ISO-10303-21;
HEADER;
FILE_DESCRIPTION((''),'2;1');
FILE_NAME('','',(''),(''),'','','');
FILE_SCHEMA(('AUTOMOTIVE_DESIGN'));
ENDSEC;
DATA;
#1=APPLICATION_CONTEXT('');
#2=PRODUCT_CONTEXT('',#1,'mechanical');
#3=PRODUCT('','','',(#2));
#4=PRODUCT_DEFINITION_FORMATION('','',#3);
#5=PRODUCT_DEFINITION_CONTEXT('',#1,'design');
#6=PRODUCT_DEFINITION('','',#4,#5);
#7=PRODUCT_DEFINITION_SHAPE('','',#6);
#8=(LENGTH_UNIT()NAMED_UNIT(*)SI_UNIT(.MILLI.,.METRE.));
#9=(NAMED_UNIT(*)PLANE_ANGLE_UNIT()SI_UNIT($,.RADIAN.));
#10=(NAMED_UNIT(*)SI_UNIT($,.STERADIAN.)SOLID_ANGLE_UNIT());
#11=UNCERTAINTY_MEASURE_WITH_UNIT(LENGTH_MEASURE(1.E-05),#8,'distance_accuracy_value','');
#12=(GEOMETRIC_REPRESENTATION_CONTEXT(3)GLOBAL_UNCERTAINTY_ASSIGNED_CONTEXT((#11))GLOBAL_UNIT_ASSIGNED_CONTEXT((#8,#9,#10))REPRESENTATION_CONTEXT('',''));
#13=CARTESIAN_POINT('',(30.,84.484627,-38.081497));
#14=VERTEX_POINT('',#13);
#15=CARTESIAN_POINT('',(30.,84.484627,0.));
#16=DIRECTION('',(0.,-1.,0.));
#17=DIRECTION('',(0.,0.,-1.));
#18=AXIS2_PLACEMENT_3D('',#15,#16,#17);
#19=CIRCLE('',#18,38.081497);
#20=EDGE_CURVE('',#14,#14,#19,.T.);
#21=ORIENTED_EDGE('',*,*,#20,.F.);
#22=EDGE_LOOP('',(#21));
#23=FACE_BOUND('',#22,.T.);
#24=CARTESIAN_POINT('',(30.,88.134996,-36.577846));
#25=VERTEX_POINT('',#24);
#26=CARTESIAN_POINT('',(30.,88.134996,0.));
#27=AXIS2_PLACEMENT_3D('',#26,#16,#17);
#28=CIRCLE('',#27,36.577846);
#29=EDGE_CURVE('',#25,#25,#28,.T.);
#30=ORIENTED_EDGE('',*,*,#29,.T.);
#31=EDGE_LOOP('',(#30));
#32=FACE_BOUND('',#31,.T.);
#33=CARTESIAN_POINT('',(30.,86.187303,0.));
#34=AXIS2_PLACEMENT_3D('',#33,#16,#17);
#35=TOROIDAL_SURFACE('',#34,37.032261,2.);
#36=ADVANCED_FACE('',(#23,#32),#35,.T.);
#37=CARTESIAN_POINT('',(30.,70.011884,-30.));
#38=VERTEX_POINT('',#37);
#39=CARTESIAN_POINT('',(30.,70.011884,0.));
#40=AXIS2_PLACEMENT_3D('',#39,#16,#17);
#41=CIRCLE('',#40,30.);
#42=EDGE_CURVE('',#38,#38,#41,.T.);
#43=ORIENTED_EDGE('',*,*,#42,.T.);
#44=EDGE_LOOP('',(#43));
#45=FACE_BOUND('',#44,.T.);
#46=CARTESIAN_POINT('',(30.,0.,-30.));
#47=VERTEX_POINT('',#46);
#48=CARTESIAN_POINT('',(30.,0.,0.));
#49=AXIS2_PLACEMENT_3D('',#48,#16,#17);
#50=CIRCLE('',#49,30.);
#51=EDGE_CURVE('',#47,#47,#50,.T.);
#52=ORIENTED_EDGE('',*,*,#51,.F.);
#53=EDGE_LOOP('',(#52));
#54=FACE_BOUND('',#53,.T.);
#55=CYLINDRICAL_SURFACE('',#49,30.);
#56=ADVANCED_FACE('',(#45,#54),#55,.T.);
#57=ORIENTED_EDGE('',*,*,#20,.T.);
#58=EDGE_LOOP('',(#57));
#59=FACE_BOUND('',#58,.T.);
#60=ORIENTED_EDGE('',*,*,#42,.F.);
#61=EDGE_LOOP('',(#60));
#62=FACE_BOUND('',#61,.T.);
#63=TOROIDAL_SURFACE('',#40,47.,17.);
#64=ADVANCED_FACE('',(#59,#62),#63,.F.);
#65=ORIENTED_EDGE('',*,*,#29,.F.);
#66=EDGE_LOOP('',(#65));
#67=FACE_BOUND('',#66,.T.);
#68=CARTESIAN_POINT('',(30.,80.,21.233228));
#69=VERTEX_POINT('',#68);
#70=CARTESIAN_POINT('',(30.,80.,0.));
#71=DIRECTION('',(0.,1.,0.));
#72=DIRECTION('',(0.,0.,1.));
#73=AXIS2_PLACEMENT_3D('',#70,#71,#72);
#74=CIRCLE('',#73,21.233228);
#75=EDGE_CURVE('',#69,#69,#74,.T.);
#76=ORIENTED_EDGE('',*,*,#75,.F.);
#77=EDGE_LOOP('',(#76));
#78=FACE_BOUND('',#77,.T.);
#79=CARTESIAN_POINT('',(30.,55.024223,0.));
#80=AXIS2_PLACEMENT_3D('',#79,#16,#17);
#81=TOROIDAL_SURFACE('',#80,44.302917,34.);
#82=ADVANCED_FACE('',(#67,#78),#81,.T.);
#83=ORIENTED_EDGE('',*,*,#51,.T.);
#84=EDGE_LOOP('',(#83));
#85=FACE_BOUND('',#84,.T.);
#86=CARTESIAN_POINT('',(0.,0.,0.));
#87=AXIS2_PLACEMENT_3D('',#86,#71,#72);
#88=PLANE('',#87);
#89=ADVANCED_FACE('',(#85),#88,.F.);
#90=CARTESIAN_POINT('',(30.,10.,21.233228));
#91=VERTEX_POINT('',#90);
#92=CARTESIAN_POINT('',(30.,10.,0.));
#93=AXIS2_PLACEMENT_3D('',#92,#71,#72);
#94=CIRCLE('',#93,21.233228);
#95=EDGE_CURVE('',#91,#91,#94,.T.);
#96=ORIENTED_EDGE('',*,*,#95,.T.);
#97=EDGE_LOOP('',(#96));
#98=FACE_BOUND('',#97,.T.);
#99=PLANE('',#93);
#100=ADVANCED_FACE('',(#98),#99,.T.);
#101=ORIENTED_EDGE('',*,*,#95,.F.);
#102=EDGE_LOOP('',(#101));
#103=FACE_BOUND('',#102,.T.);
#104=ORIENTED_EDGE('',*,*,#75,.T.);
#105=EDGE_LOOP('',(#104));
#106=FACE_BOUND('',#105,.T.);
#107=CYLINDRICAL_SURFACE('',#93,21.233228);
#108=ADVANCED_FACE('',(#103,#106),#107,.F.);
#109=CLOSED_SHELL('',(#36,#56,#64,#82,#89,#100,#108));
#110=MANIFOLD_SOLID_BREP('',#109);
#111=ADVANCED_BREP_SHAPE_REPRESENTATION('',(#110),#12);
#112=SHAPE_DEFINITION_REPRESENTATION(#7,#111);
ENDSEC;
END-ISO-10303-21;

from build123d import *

# Parameters (mm, degrees)
SKETCH3_R          = 21.233227614
CUT_EXTRUDE1_DEPTH = 70


with BuildPart() as part:
    # Sketch1 → Revolve2 (revolve)
    with BuildSketch(Plane.XY, mode=Mode.PRIVATE) as revolve2_sk:
        with BuildLine():
            Line((0, 0), (30, 0))
            Line((30, 0), (30, 80))
            Line((30, 80), (8.888669742, 80))
            Line((8.888669742, 80), (8.766772386, 80))
            ThreePointArc((8.766772386, 80), (1.622655606, 85.063799106), (-6.577845512, 88.134995516))
            ThreePointArc((-6.577845512, 88.134995516), (-8.881517974, 86.949044637), (-8.081497092, 84.484627285))
            ThreePointArc((-8.081497092, 84.484627285), (-2.157248411, 78.299991195), (0, 70.011883734))
            Line((0, 70.011883734), (0, 0))
        make_face()
    revolve(revolve2_sk.sketch.rotate(Axis((30, 0, 0), (0, 1, 0)), 270), axis=Axis((30, 0, 0), (0, 1, 0)))

    # Sketch3 → Cut-Extrude1 (cut)
    with BuildSketch(Plane(origin=(0, 80, 0), x_dir=(1, 0, 0), z_dir=(0, 1, 0))):
        with Locations(Location((30, 0, 0), (0, 0, 270))):
            Circle(SKETCH3_R)
    extrude(amount=-CUT_EXTRUDE1_DEPTH, mode=Mode.SUBTRACT)


solid = part.part
